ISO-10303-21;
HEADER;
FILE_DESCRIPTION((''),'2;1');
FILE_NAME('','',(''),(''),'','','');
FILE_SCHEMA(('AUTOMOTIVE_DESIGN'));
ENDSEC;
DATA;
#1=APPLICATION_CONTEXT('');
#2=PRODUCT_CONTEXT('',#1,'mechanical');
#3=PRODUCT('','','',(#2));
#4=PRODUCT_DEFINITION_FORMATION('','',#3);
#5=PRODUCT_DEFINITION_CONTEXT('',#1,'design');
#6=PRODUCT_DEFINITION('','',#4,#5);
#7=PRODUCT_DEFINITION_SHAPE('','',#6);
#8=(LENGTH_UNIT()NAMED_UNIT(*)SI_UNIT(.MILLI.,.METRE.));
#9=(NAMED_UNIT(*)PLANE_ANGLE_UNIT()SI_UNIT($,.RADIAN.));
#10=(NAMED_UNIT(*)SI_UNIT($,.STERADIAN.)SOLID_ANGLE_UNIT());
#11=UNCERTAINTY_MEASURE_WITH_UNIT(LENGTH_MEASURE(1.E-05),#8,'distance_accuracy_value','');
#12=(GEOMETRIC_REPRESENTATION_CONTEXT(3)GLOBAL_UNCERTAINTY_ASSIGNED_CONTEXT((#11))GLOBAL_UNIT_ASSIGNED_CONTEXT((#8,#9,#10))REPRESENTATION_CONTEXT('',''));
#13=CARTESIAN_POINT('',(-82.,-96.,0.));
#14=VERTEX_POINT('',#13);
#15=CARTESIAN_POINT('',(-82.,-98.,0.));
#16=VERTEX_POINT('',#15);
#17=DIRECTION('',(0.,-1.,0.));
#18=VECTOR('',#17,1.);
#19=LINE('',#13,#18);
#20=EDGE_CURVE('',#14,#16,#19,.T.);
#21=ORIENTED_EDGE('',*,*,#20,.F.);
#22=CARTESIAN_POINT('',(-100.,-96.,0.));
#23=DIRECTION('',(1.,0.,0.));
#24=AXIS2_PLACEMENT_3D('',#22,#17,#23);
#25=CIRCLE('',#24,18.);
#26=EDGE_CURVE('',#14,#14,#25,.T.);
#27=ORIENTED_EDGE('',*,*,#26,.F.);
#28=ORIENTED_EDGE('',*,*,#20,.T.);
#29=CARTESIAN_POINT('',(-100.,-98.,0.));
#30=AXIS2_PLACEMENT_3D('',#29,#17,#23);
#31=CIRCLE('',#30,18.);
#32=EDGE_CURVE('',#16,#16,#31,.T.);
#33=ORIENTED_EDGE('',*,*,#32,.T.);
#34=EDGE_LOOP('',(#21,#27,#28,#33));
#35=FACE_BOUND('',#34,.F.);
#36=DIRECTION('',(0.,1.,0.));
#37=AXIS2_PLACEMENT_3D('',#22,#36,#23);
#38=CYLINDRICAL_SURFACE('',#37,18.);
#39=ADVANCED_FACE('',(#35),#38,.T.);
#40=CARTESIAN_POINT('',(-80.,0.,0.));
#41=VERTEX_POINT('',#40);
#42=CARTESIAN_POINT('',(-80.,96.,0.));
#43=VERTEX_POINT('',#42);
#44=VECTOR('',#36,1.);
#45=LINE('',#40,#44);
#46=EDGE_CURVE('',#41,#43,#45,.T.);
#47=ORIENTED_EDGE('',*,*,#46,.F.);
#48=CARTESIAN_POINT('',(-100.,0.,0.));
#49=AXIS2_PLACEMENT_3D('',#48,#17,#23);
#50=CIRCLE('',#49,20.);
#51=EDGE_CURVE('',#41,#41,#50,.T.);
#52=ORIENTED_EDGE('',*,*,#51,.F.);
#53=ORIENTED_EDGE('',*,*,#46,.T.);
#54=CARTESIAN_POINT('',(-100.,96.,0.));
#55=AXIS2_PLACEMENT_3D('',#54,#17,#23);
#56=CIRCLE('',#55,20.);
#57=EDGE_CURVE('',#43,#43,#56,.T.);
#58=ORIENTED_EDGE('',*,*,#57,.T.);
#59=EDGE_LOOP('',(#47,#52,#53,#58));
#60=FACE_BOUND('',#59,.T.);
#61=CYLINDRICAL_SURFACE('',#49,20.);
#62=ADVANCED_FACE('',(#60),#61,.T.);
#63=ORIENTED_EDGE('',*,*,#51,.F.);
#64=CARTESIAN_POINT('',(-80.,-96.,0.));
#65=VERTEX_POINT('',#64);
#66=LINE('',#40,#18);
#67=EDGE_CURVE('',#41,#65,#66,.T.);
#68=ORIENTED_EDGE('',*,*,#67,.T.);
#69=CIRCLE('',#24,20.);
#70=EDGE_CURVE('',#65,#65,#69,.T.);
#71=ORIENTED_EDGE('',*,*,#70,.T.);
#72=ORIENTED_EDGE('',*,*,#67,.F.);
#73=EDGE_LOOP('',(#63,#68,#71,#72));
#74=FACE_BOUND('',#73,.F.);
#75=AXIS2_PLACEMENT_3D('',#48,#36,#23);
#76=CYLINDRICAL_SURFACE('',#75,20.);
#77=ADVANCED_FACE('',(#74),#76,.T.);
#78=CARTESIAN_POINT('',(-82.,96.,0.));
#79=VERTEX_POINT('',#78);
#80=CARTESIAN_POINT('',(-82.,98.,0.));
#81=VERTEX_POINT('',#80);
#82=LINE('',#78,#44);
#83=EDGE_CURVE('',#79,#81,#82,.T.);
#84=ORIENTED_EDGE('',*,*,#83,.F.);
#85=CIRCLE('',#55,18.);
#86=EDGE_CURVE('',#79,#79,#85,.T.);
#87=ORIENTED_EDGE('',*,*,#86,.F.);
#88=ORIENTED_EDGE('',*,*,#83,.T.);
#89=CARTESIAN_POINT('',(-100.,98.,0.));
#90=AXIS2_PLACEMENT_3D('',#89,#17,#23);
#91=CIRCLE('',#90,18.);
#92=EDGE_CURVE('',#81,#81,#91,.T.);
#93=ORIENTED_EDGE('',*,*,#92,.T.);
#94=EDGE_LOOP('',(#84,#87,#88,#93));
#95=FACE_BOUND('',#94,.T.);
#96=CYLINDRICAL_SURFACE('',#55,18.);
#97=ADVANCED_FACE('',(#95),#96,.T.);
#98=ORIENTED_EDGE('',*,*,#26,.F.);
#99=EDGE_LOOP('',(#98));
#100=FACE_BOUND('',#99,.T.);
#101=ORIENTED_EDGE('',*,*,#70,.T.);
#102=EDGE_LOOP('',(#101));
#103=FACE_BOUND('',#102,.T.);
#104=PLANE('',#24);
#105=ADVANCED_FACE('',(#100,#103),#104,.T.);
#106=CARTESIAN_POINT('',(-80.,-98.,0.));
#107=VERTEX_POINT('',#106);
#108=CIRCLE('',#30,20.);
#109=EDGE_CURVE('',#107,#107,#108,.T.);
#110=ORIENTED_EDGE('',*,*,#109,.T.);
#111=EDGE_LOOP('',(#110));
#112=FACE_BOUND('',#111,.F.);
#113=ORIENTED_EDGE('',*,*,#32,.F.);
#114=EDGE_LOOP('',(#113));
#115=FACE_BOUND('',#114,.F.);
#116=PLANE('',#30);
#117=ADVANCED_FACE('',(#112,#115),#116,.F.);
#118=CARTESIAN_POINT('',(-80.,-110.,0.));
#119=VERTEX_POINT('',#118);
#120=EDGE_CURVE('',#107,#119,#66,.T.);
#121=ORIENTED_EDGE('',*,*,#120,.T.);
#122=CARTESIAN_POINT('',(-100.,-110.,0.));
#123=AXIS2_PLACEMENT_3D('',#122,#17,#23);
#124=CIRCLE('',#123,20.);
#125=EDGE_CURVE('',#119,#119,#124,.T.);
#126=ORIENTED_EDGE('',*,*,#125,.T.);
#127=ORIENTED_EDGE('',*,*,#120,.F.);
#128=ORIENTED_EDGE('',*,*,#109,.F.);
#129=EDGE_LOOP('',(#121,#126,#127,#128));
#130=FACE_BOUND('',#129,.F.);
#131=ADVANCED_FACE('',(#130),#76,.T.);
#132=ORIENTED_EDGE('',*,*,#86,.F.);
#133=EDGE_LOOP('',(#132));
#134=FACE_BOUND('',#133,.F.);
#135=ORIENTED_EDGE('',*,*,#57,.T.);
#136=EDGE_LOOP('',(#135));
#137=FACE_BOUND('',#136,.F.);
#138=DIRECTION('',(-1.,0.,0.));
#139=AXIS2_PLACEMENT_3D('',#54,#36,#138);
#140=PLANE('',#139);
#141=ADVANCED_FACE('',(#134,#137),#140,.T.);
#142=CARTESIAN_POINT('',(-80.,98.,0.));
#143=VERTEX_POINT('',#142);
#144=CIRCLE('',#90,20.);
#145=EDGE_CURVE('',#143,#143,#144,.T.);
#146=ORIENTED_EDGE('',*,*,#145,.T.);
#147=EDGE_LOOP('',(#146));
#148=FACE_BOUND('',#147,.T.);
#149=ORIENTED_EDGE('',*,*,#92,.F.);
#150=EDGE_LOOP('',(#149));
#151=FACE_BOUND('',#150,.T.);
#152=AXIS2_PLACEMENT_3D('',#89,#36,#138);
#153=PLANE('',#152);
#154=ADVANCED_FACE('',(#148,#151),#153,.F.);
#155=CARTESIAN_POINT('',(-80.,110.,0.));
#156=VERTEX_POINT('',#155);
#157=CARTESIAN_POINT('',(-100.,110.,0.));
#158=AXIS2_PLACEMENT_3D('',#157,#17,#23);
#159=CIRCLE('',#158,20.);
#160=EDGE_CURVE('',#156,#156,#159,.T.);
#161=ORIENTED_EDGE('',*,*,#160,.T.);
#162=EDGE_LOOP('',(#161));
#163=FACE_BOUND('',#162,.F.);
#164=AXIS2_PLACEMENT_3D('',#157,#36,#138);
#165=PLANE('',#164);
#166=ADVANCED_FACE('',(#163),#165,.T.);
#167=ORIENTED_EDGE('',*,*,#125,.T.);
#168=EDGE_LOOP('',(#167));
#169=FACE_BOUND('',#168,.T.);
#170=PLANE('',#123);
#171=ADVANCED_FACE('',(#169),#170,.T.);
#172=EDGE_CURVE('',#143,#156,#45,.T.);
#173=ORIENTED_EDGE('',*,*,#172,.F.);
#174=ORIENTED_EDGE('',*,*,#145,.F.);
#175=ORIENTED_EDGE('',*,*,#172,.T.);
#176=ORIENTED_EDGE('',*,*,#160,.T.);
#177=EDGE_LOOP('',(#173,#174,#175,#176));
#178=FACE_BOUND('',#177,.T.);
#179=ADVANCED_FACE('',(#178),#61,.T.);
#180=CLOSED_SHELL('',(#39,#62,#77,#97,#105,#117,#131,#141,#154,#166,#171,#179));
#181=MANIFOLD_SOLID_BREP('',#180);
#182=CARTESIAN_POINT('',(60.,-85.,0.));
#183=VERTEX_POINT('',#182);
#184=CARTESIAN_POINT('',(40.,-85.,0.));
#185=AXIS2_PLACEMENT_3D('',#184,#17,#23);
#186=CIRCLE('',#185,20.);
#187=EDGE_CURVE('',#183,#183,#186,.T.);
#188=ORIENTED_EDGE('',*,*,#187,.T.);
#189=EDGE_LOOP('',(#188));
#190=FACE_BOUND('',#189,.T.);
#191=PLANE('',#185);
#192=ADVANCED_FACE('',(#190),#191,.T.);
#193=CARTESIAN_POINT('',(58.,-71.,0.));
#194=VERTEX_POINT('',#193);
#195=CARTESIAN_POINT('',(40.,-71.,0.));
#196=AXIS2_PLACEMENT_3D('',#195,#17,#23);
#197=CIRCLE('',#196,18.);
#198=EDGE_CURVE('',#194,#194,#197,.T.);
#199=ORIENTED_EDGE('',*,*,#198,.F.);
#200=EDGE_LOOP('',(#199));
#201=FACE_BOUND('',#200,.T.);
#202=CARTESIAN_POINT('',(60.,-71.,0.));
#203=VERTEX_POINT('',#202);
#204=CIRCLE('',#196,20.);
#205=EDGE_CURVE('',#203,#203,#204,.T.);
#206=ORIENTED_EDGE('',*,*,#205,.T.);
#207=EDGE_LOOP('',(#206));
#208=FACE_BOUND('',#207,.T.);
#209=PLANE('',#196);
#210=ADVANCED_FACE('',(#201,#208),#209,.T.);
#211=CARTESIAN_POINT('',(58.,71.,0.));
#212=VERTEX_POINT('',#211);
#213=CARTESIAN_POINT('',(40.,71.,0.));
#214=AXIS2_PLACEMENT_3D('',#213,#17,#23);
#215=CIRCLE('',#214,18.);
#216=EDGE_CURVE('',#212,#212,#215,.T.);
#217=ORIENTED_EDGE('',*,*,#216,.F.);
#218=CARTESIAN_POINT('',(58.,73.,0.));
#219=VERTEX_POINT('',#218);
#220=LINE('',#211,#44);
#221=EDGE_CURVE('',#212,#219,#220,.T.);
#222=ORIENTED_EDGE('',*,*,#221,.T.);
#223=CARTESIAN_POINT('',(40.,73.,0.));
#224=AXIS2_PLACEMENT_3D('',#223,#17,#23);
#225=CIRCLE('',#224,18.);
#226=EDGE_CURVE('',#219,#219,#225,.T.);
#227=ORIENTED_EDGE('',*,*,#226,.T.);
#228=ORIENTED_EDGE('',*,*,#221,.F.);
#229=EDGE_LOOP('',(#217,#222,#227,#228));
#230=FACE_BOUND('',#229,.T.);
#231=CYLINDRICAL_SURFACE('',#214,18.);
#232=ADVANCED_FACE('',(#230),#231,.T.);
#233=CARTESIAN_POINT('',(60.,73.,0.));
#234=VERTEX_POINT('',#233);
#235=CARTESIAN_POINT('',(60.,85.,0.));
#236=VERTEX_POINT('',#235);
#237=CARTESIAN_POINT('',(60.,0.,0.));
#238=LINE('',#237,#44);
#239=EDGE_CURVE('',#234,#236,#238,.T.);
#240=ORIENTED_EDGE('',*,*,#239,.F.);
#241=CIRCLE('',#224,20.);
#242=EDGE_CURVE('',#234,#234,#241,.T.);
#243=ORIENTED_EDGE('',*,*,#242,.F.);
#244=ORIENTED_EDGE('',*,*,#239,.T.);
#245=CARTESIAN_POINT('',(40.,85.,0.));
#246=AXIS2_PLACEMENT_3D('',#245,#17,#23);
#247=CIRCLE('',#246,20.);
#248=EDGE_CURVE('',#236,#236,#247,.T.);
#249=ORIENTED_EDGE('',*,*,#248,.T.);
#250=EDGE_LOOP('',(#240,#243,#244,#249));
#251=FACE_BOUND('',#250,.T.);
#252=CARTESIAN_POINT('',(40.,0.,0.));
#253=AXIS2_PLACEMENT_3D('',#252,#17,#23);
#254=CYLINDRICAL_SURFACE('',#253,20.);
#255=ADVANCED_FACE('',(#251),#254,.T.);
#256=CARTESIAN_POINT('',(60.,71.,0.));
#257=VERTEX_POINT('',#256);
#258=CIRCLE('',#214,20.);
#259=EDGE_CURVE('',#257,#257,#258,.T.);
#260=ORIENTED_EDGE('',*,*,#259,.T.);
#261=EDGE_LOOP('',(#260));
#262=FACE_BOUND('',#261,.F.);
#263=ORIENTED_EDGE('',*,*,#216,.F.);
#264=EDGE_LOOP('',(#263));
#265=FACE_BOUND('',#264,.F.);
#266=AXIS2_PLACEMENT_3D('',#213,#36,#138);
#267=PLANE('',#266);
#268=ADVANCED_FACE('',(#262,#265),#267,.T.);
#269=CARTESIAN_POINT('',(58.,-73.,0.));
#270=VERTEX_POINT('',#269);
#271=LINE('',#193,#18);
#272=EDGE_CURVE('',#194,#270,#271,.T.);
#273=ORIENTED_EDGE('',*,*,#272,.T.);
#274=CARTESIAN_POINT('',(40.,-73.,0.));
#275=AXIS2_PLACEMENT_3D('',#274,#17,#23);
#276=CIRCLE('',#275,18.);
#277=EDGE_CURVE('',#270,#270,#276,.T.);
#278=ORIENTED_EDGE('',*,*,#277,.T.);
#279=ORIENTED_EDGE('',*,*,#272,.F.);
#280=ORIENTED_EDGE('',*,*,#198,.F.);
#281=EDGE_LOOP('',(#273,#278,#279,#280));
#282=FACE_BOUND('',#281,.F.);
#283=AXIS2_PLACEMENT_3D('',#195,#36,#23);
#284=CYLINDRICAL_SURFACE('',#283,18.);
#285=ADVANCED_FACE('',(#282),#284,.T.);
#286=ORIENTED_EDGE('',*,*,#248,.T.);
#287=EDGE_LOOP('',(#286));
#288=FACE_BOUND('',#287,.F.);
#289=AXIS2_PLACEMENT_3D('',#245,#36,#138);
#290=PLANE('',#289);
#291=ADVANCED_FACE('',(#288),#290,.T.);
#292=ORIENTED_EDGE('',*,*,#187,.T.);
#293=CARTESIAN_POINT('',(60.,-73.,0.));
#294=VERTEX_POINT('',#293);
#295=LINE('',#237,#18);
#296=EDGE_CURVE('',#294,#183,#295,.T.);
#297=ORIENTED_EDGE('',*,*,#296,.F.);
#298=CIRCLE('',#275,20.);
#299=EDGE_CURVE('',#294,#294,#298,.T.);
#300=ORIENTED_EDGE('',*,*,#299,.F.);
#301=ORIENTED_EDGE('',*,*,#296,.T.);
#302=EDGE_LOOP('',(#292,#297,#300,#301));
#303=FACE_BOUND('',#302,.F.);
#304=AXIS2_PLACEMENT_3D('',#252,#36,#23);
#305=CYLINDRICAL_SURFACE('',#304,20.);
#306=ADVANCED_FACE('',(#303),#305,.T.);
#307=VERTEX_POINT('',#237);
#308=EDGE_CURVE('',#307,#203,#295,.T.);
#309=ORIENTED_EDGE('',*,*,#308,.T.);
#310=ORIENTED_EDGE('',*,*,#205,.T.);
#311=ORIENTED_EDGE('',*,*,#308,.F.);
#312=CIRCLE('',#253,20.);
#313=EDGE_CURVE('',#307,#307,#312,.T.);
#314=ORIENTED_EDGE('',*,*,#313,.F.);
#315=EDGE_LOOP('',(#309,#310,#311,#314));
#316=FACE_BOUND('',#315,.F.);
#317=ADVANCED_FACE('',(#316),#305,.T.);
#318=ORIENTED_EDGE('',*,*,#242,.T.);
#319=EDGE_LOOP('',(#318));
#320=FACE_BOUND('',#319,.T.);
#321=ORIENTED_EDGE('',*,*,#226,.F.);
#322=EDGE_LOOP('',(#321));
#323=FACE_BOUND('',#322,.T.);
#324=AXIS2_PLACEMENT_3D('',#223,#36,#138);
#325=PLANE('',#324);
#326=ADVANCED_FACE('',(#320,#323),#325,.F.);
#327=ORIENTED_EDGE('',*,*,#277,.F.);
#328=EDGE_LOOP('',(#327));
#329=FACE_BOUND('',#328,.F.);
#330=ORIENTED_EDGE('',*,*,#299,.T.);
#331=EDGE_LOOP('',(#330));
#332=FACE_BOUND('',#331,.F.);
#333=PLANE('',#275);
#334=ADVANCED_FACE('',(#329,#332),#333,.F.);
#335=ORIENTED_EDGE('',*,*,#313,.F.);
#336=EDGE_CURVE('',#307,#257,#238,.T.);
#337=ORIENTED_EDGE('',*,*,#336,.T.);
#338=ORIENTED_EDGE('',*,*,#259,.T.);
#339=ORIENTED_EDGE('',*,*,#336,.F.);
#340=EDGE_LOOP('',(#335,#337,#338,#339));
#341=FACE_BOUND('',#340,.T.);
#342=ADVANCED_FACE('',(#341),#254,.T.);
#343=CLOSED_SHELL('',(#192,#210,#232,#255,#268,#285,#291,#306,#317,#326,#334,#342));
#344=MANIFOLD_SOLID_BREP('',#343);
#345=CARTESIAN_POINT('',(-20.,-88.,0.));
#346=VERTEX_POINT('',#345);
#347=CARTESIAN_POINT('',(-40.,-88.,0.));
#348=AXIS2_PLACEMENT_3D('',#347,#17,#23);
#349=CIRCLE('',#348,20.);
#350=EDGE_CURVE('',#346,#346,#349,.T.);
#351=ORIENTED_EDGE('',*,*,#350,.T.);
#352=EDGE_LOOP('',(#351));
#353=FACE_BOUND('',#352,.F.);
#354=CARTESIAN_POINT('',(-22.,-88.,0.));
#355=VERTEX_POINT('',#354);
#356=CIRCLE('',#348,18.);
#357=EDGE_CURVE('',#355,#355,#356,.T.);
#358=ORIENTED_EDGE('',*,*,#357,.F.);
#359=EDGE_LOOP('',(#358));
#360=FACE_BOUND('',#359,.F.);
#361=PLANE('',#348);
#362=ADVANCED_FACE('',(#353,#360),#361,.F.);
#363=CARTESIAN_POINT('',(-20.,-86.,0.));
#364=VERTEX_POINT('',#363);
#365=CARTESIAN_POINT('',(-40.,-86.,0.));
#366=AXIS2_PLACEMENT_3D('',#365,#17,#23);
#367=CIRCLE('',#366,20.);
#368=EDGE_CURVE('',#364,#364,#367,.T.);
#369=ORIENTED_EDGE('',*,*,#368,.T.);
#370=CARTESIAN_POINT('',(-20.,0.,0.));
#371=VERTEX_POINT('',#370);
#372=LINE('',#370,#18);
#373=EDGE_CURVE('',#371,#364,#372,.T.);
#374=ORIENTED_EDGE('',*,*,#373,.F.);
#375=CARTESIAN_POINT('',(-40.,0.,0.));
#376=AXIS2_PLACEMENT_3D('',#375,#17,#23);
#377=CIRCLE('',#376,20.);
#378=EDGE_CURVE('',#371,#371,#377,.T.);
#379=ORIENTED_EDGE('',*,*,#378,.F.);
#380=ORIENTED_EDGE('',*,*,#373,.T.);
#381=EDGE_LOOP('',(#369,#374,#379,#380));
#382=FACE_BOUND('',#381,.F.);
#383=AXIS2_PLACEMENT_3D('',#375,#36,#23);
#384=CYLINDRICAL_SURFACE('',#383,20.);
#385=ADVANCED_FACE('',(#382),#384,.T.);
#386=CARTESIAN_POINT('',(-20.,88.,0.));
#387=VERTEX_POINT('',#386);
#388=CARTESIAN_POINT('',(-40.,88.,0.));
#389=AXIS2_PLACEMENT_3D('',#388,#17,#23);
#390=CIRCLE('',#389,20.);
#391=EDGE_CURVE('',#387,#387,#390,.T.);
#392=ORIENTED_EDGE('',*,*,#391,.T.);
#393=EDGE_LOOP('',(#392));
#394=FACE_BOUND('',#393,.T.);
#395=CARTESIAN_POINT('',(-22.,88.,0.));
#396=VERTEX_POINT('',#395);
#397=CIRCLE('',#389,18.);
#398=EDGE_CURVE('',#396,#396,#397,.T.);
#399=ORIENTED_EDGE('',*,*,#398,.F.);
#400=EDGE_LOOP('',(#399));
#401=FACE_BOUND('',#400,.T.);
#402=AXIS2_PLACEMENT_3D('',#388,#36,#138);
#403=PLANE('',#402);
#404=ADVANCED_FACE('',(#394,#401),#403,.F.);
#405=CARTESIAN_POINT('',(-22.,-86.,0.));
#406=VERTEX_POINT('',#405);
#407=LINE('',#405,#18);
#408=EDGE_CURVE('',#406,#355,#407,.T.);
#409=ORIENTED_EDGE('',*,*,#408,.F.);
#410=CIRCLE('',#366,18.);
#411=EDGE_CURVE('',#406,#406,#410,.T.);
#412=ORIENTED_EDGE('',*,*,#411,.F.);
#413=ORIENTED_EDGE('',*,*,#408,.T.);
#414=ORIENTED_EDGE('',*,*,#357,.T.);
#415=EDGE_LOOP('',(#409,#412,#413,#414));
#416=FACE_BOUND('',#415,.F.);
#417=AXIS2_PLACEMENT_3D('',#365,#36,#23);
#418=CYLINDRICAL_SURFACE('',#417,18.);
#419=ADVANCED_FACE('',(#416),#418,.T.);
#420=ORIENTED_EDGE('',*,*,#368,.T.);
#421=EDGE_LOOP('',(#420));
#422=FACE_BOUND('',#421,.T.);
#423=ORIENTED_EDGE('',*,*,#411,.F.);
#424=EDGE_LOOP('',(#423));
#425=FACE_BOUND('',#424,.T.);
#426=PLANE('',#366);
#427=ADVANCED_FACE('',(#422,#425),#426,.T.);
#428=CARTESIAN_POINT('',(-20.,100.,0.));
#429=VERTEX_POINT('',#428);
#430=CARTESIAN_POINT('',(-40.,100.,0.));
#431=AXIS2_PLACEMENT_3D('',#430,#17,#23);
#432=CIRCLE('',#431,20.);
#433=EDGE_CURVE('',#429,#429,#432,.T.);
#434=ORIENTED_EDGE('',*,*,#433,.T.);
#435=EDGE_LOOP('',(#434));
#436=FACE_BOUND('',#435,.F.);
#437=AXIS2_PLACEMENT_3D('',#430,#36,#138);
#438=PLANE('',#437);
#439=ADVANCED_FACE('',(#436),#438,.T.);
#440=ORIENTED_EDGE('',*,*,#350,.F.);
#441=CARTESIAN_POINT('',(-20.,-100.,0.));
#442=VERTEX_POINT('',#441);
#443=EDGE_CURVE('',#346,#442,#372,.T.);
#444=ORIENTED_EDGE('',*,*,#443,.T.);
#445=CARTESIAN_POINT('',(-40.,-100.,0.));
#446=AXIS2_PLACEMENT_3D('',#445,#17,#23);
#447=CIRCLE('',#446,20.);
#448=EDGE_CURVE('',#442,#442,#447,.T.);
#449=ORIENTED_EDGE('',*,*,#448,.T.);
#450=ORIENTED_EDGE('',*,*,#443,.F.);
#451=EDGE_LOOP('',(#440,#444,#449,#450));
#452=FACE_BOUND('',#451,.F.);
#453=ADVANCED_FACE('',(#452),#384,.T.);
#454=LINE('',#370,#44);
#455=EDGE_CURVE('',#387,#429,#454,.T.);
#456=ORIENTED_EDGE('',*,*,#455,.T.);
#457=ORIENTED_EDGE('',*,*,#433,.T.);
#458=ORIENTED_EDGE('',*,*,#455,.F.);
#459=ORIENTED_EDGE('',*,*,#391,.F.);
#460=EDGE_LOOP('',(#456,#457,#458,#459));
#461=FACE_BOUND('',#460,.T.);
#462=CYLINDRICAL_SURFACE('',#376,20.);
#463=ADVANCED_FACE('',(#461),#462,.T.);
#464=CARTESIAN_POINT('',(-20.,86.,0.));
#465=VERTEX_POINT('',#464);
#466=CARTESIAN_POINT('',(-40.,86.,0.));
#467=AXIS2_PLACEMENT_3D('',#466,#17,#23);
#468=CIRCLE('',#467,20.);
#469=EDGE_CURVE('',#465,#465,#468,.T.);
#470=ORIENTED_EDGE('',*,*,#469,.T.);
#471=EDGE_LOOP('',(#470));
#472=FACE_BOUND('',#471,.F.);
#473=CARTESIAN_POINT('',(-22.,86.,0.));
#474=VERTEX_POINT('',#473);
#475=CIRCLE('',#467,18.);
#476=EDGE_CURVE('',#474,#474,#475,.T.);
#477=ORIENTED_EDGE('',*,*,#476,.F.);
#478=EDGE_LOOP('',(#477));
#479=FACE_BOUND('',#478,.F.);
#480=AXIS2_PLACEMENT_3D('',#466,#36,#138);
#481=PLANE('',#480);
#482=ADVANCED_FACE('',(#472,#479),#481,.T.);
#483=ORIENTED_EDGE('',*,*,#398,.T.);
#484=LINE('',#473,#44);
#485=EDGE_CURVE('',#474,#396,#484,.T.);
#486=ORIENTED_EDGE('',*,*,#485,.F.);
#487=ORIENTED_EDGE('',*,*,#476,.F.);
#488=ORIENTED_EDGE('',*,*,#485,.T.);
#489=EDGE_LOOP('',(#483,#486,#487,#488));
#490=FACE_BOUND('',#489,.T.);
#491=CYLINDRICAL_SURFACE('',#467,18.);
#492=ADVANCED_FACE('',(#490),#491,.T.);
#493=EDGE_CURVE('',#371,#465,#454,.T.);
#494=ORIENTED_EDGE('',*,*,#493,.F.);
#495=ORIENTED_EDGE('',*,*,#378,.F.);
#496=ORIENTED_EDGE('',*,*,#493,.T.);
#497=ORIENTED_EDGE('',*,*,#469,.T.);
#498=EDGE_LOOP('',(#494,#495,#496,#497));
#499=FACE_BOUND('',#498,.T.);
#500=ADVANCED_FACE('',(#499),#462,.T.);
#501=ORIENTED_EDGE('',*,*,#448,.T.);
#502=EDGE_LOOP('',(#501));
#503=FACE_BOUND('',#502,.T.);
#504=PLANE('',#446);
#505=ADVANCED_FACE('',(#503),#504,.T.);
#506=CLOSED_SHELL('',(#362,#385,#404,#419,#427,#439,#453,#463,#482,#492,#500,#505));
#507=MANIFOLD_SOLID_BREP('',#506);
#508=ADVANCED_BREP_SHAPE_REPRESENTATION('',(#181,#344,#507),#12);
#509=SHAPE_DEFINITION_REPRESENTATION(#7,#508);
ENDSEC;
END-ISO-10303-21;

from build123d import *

# Parameters (mm, degrees)
F3_R      = 20
F4_DEPTH  = 110
F6_R      = 20
F6_R_2    = 18
F7_DEPTH  = 2
F9_R      = 20
F10_DEPTH = 100
F12_R     = 20
F12_R_2   = 18
F13_DEPTH = 2
F15_R     = 20
F16_DEPTH = 85
F18_R     = 20
F18_R_2   = 18
F19_DEPTH = 2


with BuildPart() as f4:
    # F3 (on Front) → F4 (new body)
    with BuildSketch(Plane.XZ):
        with Locations((-100, 0)):
            Circle(F3_R)
    extrude(amount=F4_DEPTH)

    # F6 (on offset) → F7 (cut)
    with BuildSketch(Plane.XZ.offset(96)):
        with Locations((-100, 0)):
            Circle(F6_R)
        with Locations((-100, 0)):
            Circle(F6_R_2, mode=Mode.SUBTRACT)
    extrude(amount=F7_DEPTH, mode=Mode.SUBTRACT)

    # F8: F4 across plane


with BuildPart() as f4_1:
    add(f4.part)
    add(f4.part.mirror(Plane.XZ))


with BuildPart() as f10:
    # F9 (on Front) → F10 (new body)
    with BuildSketch(Plane.XZ):
        with Locations((-40, 0)):
            Circle(F9_R)
    extrude(amount=F10_DEPTH)

    # F12 (on offset) → F13 (cut)
    with BuildSketch(Plane.XZ.offset(86)):
        with Locations((-40, 0)):
            Circle(F12_R)
        with Locations((-40, 0)):
            Circle(F12_R_2, mode=Mode.SUBTRACT)
    extrude(amount=F13_DEPTH, mode=Mode.SUBTRACT)

    # F14: F10 across plane


with BuildPart() as f10_1:
    add(f10.part)
    add(f10.part.mirror(Plane.XZ))


with BuildPart() as f16:
    # F15 (on Front) → F16 (new body)
    with BuildSketch(Plane.XZ):
        with Locations((40, 0)):
            Circle(F15_R)
    extrude(amount=F16_DEPTH)

    # F18 (on offset) → F19 (cut)
    with BuildSketch(Plane.XZ.offset(71)):
        with Locations((40, 0)):
            Circle(F18_R)
        with Locations((40, 0)):
            Circle(F18_R_2, mode=Mode.SUBTRACT)
    extrude(amount=F19_DEPTH, mode=Mode.SUBTRACT)

    # F20: F16 across plane


with BuildPart() as f16_1:
    add(f16.part)
    add(f16.part.mirror(Plane.XZ))


solid = Compound([f4_1.part, f10_1.part, f16_1.part])
